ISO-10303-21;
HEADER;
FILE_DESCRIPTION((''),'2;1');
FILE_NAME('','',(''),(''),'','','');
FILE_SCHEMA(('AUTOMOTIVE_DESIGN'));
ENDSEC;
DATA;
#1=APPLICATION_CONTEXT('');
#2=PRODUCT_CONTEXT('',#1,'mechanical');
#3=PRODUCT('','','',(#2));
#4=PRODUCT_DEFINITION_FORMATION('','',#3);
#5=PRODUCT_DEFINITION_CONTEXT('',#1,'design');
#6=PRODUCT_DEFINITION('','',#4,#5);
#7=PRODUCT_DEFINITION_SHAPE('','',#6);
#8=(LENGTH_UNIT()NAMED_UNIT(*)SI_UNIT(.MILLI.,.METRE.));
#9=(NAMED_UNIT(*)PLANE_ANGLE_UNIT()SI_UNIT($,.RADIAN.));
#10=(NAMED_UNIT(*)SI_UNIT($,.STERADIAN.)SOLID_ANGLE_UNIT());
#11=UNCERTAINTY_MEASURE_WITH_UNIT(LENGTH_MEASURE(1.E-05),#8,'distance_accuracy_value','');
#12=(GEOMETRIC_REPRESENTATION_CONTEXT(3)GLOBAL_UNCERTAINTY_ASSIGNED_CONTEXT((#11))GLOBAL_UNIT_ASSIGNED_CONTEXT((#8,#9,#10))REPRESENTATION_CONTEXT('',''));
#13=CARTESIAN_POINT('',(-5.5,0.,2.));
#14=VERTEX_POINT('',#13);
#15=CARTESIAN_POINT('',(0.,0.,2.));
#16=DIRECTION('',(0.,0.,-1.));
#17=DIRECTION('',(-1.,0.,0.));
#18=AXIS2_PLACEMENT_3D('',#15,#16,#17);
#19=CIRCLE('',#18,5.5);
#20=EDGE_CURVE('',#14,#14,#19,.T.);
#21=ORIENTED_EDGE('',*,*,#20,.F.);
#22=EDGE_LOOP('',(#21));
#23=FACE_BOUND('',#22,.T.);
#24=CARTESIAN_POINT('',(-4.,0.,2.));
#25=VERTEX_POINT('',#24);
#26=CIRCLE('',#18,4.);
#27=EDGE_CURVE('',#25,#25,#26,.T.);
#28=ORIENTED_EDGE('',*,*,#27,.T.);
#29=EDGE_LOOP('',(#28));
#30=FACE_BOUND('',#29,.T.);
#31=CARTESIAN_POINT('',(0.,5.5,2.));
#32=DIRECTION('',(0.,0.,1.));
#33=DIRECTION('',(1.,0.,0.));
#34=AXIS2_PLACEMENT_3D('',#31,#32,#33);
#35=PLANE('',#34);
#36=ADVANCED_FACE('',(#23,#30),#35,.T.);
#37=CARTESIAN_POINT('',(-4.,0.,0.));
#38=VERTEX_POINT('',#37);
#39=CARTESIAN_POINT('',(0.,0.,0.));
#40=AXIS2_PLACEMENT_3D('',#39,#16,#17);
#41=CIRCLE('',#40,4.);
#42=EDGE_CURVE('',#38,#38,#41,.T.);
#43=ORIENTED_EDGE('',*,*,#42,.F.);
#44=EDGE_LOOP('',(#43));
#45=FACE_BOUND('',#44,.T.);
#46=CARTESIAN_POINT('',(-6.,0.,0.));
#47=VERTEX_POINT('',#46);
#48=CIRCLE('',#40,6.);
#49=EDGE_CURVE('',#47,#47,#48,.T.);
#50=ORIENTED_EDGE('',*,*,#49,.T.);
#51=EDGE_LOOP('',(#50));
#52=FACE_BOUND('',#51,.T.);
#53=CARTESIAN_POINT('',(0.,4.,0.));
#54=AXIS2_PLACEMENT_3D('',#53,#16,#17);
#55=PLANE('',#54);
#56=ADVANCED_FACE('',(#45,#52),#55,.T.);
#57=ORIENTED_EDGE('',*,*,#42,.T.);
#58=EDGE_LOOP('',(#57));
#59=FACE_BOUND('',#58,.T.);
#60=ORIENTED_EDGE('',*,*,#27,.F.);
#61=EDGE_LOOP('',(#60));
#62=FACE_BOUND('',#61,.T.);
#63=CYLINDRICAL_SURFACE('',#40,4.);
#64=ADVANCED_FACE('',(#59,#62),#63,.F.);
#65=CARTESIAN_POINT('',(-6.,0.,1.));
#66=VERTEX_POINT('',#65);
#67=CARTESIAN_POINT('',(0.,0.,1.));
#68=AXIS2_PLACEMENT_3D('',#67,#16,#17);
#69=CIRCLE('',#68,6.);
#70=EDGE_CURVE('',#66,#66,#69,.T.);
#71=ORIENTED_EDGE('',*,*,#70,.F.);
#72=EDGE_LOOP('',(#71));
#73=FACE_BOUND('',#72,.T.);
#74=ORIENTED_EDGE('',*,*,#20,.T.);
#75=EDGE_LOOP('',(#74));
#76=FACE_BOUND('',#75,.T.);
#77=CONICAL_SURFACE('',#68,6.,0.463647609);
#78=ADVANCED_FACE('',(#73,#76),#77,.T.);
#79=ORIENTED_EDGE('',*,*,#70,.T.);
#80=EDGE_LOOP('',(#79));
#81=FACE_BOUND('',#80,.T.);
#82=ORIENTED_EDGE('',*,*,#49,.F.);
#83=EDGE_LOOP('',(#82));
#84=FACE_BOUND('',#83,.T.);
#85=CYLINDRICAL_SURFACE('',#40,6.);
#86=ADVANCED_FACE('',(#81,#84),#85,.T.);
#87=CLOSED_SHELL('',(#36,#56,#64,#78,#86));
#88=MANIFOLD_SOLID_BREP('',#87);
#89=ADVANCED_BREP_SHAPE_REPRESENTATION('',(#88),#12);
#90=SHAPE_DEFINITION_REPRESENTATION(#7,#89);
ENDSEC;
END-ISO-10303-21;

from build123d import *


with BuildPart() as part:
    # Sketch1 → Revolve1 (revolve)
    with BuildSketch(Plane(origin=(0, 0, 0), x_dir=(0, 0, -1), z_dir=(1, 0, 0)), mode=Mode.PRIVATE) as revolve1_sk:
        Polygon((0, 4), (0, 6), (-1, 6), (-2, 5.5), (-2, 4), align=None)
    revolve(revolve1_sk.sketch.rotate(Axis((0, 0, 0), (0, 0, 1)), 90), axis=Axis((0, 0, 0), (0, 0, 1)))


solid = part.part
